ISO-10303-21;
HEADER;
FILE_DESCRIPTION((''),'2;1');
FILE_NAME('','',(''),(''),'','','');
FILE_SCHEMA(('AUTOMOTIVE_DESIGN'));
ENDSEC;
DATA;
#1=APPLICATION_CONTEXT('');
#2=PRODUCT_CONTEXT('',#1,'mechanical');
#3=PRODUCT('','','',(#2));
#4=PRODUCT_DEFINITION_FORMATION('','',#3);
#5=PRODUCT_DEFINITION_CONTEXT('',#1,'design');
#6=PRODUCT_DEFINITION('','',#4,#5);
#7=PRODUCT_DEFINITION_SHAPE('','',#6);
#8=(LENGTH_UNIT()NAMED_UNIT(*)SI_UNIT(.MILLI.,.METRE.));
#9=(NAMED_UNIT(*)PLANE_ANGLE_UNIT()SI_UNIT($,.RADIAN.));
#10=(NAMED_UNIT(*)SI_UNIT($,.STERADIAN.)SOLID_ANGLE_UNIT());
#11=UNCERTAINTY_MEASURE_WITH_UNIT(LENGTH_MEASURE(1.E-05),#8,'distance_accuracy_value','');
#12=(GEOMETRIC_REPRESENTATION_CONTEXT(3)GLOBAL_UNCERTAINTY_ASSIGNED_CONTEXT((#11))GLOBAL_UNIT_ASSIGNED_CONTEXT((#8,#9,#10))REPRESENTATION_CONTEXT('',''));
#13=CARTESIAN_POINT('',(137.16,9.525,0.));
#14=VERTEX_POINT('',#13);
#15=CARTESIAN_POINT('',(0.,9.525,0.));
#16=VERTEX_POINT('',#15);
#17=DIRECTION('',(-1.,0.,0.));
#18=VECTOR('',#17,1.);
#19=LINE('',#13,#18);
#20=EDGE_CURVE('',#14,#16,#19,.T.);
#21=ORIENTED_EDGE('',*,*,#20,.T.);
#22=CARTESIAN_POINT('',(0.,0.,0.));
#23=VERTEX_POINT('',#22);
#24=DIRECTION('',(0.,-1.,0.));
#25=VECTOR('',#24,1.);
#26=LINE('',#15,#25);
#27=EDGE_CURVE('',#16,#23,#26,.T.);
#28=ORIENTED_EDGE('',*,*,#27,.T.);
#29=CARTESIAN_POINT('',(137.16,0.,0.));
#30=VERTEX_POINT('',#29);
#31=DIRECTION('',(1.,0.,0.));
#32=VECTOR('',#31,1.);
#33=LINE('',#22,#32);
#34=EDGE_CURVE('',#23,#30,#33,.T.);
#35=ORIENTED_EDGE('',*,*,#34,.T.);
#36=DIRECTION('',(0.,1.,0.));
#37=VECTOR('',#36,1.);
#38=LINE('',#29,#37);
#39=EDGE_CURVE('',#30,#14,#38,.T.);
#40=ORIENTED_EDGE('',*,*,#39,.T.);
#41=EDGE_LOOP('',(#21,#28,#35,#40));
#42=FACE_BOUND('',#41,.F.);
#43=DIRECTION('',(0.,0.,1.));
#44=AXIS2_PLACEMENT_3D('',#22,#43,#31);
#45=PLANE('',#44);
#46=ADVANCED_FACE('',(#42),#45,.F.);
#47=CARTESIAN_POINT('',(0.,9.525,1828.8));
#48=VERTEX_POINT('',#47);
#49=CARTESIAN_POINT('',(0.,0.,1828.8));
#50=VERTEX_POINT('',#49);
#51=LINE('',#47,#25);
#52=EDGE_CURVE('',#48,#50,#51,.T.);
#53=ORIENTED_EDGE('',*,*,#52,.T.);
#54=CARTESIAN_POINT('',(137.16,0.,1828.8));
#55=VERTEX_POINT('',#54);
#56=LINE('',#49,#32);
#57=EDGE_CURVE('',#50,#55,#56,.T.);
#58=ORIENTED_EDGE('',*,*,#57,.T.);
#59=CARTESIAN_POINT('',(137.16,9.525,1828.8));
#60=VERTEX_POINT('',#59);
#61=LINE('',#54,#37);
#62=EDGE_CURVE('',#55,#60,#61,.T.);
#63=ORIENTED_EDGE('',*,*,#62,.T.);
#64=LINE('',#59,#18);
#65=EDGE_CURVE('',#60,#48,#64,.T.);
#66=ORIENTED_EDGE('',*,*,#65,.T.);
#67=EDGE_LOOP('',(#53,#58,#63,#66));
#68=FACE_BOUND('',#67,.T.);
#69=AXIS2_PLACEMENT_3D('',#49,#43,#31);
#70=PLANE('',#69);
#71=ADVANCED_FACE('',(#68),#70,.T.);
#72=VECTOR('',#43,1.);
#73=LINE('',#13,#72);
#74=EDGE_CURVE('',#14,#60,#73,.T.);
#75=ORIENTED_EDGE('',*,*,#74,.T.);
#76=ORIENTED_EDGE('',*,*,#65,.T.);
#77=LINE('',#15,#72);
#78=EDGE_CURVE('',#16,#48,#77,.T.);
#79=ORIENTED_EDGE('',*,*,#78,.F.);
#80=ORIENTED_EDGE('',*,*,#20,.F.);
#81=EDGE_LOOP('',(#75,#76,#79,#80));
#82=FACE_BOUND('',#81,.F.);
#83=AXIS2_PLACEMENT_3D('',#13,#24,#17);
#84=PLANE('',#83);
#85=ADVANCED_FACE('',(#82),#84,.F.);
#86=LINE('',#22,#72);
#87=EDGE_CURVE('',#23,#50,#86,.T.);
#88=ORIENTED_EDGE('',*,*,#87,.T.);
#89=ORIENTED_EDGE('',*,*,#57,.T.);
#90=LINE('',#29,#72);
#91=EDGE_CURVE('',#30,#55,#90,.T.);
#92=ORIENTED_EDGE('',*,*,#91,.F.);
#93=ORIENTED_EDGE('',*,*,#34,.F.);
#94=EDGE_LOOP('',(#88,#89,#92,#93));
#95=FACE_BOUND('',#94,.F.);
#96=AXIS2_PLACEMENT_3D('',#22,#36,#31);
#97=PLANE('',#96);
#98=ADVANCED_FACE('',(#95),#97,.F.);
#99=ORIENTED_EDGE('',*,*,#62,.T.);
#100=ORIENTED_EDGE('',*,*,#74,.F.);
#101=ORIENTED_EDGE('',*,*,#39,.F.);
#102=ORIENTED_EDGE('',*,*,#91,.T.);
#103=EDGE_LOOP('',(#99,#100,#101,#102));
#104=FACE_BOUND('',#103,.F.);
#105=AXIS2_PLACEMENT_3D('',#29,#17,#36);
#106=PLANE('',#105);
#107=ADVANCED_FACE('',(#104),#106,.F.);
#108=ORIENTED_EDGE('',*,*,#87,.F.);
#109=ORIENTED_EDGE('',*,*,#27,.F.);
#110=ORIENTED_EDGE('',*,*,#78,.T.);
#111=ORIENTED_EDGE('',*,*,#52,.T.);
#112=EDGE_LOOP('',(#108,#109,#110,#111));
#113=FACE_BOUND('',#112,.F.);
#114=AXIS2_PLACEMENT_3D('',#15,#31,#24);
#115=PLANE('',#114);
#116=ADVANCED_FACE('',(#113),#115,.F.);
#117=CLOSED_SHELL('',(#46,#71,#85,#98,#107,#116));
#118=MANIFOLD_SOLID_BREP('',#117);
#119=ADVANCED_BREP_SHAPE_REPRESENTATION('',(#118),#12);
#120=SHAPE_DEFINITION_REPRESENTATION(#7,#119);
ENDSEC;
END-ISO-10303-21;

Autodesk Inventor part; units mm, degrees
ref_plane "YZ Plane" through (0, 0, 0) normal (1, 0, 0) x (0, 1, 0)
ref_plane "XZ Plane" through (0, 0, 0) normal (0, 1, 0) x (-1, 0, 0)
ref_plane "XY Plane" through (0, 0, 0) normal (0, 0, 1) x (1, 0, 0)
sketch "Sketch1" plane through (0, 0, 0) normal (0, 0, 1) x (1, 0, 0)
  line L0 (0, 0) -> (137.16, 0)
  line L1 (137.16, 0) -> (137.16, 9.525)
  line L2 (137.16, 9.525) -> (0, 9.525)
  line L3 (0, 9.525) -> (0, 0)
  dimension "d0" = 9.525
  dimension "d1" = 137.16
extrude "Extrusion1" add sketch "Sketch1" along normal blind 1828.8
properties part number "End Plywood Ramp 375 - Versopm 2" material "Wood (Oak)"
